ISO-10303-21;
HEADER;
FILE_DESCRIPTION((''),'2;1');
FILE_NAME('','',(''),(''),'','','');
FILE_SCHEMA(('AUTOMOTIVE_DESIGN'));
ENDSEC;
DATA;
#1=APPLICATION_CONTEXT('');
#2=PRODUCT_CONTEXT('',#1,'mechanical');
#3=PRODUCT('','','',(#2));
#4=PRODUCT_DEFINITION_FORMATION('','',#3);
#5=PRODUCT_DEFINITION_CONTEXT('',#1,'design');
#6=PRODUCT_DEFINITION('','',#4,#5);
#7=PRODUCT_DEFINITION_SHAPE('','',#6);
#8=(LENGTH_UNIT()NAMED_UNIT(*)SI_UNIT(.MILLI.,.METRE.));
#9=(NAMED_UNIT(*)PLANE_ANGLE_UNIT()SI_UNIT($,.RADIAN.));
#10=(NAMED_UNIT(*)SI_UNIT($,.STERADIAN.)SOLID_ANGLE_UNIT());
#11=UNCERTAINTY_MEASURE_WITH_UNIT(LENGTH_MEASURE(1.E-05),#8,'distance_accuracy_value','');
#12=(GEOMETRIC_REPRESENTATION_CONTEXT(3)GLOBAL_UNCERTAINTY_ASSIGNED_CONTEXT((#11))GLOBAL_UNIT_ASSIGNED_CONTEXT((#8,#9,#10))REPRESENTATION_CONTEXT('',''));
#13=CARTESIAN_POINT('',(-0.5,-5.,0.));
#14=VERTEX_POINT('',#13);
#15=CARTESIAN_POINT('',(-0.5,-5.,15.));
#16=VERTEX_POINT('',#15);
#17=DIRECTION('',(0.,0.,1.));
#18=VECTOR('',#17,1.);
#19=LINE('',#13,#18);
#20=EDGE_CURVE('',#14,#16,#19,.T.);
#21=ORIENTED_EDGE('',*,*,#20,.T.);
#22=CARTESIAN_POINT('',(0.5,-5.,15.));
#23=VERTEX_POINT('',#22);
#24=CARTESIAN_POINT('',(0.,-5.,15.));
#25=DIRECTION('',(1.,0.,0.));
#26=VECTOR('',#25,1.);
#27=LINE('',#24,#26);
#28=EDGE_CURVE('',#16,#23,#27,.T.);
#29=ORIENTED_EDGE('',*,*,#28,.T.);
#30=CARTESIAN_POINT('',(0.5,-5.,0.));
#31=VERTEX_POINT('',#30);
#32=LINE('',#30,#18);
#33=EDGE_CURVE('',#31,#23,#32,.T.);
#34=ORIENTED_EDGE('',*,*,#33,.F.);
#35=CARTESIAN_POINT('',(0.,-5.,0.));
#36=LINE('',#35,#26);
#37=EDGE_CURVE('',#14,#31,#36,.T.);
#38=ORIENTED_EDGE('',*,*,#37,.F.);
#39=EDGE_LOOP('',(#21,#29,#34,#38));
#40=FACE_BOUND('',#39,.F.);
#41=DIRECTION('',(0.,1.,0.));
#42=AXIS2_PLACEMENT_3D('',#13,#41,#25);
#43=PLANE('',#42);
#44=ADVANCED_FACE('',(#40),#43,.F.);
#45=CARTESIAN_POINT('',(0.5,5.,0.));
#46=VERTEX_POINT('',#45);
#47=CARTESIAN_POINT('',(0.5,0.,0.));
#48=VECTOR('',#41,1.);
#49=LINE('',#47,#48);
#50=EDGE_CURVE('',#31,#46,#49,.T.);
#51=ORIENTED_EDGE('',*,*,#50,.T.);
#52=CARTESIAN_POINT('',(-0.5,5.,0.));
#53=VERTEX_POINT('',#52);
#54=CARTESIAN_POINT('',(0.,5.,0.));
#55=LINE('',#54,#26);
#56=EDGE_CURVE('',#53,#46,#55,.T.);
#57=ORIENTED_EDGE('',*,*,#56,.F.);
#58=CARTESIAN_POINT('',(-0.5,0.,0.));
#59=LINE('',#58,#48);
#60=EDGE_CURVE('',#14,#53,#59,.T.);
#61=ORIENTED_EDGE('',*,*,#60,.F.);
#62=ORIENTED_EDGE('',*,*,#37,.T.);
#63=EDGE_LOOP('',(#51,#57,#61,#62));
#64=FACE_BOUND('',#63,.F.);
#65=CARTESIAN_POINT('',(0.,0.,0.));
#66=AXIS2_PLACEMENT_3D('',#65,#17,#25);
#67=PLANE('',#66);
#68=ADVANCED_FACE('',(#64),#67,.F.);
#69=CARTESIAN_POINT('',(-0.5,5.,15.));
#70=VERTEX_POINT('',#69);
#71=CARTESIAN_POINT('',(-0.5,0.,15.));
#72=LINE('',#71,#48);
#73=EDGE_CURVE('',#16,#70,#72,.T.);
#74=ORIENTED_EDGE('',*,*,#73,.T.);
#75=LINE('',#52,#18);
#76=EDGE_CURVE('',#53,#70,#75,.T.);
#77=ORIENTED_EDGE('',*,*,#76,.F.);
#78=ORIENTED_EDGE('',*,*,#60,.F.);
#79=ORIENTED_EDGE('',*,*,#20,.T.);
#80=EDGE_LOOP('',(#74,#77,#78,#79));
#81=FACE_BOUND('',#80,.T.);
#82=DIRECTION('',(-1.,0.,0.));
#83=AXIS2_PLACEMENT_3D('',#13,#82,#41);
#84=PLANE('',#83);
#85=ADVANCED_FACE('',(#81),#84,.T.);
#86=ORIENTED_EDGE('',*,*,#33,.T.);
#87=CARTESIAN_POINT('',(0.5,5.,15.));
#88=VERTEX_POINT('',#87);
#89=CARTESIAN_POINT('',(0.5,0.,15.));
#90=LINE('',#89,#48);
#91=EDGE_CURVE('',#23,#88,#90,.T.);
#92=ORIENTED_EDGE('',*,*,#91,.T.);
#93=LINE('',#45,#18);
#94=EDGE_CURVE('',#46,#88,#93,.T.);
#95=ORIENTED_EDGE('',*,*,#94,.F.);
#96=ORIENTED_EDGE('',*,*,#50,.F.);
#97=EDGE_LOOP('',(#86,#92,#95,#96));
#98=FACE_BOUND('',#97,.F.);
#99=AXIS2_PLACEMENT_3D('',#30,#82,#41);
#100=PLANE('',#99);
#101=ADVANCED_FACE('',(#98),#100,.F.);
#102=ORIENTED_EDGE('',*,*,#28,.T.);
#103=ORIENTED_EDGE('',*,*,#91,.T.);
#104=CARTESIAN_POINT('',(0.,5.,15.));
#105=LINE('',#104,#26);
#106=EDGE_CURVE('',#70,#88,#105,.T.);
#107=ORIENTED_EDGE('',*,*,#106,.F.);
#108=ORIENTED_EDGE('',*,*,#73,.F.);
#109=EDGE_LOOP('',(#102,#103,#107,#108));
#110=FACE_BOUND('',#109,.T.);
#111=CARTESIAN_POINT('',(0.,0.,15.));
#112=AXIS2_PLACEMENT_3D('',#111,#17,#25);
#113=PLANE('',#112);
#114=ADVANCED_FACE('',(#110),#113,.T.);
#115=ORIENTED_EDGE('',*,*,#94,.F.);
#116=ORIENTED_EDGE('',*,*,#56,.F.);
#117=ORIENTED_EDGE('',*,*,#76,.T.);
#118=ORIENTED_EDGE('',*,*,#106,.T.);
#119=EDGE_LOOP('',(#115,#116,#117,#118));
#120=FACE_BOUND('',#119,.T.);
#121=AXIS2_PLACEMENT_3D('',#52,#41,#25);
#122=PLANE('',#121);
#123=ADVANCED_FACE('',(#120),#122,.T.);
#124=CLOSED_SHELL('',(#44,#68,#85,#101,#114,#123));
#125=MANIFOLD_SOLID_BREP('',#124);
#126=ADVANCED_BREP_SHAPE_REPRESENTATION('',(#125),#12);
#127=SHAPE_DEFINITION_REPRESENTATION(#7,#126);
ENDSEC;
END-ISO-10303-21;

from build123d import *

# Parameters (mm, degrees)
SKETCH_W  = 1
SKETCH_H  = 10
PAD_DEPTH = 15


with BuildPart() as part:
    # Sketch → Pad (new body)
    with BuildSketch(Plane.XY):
        Rectangle(SKETCH_W, SKETCH_H)
    extrude(amount=PAD_DEPTH)


solid = part.part
